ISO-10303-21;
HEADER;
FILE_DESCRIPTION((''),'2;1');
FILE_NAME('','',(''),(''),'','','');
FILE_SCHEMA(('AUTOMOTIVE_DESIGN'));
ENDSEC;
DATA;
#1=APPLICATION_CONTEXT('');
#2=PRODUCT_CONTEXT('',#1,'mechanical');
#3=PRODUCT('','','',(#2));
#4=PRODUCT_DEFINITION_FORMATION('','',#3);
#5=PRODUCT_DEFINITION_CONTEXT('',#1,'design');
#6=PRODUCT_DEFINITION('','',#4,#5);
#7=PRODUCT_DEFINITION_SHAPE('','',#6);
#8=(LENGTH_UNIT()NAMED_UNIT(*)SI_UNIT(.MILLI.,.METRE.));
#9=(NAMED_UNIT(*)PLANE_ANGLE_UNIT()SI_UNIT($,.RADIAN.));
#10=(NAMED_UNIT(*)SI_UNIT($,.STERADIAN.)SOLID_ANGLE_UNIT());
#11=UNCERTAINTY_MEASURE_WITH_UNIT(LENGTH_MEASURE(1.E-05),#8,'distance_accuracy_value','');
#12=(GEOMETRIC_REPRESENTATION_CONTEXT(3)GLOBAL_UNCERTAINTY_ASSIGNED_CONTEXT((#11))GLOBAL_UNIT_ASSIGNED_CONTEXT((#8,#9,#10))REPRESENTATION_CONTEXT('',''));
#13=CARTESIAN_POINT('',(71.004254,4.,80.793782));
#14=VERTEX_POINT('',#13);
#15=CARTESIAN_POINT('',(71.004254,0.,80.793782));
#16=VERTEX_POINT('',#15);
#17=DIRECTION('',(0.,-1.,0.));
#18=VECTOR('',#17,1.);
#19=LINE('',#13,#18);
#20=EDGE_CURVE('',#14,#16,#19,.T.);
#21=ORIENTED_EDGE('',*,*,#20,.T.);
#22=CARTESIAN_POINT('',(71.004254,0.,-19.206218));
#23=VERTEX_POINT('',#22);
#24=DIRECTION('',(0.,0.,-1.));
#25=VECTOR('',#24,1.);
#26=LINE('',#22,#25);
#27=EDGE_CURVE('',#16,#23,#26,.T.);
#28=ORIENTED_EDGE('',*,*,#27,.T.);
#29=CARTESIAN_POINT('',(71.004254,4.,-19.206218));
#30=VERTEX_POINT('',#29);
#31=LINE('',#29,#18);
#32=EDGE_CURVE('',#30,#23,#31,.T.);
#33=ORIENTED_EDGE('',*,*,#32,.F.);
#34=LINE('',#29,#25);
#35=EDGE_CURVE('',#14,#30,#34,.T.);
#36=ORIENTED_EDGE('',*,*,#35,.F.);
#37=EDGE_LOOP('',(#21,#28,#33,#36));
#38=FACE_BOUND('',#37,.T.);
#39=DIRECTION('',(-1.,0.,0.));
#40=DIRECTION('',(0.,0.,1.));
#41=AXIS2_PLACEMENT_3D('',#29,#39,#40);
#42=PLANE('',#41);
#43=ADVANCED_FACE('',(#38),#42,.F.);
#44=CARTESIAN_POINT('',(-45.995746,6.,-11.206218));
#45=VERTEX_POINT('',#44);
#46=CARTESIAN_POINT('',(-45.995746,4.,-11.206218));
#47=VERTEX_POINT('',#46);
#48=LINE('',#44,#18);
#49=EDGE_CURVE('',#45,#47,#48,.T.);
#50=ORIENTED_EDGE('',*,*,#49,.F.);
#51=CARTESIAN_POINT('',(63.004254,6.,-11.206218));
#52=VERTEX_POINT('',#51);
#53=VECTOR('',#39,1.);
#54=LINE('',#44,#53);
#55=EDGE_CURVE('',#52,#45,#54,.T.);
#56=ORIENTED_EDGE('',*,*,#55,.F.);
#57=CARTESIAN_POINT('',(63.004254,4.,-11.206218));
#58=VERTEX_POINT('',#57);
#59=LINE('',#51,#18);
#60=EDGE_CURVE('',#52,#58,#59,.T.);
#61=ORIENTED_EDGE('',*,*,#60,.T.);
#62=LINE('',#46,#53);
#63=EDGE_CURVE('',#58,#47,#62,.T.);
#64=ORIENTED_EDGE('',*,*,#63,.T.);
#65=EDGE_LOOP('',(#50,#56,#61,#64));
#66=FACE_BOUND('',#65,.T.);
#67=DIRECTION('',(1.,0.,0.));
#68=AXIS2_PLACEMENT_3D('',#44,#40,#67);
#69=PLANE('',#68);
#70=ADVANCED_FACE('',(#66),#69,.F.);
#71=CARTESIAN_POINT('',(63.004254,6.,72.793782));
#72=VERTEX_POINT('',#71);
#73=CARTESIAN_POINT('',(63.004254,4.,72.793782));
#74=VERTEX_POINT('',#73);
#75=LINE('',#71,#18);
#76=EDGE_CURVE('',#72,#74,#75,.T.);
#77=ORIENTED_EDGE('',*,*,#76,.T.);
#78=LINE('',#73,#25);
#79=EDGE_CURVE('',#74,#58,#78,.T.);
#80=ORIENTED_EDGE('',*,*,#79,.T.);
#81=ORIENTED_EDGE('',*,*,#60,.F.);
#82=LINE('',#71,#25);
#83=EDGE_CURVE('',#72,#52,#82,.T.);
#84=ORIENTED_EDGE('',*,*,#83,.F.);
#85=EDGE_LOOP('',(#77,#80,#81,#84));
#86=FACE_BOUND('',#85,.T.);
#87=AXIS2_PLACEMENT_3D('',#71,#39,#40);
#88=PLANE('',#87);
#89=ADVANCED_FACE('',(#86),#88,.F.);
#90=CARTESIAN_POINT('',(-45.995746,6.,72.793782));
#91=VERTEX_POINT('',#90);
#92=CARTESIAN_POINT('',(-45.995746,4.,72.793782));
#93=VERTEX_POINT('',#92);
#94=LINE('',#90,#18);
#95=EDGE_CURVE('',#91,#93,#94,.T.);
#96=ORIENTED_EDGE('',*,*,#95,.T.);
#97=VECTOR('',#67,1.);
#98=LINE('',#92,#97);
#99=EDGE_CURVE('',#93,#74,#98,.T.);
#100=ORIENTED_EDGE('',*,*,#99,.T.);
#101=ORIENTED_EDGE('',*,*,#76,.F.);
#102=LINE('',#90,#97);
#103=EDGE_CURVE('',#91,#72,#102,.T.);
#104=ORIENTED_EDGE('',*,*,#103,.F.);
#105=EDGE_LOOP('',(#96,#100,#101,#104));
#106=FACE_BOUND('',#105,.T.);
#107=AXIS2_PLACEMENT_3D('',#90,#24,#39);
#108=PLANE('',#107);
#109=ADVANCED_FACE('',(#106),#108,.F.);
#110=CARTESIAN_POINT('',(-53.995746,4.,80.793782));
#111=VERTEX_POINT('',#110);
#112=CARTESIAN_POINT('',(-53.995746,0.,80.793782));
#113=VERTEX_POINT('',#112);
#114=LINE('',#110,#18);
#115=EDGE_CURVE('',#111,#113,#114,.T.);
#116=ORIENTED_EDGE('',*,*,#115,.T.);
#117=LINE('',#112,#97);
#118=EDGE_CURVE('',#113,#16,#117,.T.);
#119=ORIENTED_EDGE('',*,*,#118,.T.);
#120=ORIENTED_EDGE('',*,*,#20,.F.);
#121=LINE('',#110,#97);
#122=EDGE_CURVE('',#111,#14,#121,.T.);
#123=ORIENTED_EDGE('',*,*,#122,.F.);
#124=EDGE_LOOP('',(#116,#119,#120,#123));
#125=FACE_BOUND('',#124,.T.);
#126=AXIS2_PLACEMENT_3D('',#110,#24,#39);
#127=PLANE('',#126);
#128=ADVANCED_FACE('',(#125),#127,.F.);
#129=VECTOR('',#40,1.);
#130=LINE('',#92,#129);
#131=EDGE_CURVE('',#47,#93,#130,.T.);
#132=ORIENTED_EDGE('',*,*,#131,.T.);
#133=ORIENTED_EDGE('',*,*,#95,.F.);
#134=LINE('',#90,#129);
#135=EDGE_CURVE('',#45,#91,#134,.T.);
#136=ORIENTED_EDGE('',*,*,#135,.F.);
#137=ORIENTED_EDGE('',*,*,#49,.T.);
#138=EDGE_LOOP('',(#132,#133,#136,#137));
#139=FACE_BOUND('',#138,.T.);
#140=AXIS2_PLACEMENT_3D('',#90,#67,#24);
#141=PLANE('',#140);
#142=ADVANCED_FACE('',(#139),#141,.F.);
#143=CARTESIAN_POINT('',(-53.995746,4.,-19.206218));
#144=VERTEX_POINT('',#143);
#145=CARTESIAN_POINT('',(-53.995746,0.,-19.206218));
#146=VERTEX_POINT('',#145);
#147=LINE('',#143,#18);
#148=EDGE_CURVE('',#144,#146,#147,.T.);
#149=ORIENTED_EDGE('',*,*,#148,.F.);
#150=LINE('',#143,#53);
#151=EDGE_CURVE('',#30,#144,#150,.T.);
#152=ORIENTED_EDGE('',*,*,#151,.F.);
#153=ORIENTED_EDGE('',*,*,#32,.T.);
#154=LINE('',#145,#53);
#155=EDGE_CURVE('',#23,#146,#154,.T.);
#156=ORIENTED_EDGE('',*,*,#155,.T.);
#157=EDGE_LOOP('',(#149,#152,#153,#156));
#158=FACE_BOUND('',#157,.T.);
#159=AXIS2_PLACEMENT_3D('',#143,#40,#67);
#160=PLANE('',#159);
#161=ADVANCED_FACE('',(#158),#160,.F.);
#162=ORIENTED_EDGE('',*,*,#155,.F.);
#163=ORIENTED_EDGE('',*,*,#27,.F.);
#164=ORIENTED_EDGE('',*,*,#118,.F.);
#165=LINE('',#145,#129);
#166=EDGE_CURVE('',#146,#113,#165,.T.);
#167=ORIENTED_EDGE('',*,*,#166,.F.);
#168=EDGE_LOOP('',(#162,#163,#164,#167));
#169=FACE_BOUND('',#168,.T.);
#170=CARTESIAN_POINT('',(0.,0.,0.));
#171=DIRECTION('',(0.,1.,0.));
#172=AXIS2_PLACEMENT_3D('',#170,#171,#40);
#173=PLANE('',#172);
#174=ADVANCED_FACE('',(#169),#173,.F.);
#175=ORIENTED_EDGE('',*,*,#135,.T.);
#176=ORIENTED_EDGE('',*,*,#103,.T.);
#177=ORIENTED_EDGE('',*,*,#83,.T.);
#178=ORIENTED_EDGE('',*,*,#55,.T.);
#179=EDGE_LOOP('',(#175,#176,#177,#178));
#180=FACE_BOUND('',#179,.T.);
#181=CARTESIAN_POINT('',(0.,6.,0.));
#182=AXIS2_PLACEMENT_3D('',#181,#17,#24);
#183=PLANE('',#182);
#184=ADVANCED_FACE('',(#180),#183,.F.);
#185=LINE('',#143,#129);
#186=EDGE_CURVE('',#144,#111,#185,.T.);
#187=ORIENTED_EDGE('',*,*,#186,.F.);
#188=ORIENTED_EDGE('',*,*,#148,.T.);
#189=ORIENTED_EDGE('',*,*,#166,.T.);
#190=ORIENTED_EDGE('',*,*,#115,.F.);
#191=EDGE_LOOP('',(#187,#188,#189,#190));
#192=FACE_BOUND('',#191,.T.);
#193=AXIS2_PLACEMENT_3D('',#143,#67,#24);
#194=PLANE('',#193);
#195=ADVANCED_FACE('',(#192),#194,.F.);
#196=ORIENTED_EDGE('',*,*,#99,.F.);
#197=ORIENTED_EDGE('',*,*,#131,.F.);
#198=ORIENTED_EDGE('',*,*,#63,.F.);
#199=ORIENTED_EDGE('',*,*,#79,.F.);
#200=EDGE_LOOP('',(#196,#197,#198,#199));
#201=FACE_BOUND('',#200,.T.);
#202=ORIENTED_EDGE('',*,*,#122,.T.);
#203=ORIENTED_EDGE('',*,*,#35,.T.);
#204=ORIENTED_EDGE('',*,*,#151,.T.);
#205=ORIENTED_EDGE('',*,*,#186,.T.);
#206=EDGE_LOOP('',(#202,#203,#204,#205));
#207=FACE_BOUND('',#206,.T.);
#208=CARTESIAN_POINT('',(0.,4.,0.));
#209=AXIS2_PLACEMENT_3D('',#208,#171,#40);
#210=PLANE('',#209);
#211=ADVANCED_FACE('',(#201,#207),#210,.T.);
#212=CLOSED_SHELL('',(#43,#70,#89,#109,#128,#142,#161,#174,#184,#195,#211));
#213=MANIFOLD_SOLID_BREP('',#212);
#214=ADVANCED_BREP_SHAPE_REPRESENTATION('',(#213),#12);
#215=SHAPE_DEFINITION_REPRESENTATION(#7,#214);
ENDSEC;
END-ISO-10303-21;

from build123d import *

# Parameters (mm, degrees)
SKETCH1_W           = 125
SKETCH1_H           = 100
BOSS_EXTRUDE1_DEPTH = 4
SKETCH2_W           = 109
SKETCH2_H           = 84
BOSS_EXTRUDE2_DEPTH = 2


with BuildPart() as part:
    # Sketch1 → Boss-Extrude1 (new body)
    with BuildSketch(Plane(origin=(0, 0, 0), x_dir=(1, 0, 0), z_dir=(0, 1, 0))):
        with Locations((8.504254172, -30.793782172)):
            Rectangle(SKETCH1_W, SKETCH1_H)
    extrude(amount=BOSS_EXTRUDE1_DEPTH)

    # Sketch2 → Boss-Extrude2 (add)
    with BuildSketch(Plane(origin=(0, 4, 0), x_dir=(1, 0, 0), z_dir=(0, 1, 0))):
        with Locations((8.504254172, -30.793782172)):
            Rectangle(SKETCH2_W, SKETCH2_H)
    extrude(amount=BOSS_EXTRUDE2_DEPTH)


solid = part.part
